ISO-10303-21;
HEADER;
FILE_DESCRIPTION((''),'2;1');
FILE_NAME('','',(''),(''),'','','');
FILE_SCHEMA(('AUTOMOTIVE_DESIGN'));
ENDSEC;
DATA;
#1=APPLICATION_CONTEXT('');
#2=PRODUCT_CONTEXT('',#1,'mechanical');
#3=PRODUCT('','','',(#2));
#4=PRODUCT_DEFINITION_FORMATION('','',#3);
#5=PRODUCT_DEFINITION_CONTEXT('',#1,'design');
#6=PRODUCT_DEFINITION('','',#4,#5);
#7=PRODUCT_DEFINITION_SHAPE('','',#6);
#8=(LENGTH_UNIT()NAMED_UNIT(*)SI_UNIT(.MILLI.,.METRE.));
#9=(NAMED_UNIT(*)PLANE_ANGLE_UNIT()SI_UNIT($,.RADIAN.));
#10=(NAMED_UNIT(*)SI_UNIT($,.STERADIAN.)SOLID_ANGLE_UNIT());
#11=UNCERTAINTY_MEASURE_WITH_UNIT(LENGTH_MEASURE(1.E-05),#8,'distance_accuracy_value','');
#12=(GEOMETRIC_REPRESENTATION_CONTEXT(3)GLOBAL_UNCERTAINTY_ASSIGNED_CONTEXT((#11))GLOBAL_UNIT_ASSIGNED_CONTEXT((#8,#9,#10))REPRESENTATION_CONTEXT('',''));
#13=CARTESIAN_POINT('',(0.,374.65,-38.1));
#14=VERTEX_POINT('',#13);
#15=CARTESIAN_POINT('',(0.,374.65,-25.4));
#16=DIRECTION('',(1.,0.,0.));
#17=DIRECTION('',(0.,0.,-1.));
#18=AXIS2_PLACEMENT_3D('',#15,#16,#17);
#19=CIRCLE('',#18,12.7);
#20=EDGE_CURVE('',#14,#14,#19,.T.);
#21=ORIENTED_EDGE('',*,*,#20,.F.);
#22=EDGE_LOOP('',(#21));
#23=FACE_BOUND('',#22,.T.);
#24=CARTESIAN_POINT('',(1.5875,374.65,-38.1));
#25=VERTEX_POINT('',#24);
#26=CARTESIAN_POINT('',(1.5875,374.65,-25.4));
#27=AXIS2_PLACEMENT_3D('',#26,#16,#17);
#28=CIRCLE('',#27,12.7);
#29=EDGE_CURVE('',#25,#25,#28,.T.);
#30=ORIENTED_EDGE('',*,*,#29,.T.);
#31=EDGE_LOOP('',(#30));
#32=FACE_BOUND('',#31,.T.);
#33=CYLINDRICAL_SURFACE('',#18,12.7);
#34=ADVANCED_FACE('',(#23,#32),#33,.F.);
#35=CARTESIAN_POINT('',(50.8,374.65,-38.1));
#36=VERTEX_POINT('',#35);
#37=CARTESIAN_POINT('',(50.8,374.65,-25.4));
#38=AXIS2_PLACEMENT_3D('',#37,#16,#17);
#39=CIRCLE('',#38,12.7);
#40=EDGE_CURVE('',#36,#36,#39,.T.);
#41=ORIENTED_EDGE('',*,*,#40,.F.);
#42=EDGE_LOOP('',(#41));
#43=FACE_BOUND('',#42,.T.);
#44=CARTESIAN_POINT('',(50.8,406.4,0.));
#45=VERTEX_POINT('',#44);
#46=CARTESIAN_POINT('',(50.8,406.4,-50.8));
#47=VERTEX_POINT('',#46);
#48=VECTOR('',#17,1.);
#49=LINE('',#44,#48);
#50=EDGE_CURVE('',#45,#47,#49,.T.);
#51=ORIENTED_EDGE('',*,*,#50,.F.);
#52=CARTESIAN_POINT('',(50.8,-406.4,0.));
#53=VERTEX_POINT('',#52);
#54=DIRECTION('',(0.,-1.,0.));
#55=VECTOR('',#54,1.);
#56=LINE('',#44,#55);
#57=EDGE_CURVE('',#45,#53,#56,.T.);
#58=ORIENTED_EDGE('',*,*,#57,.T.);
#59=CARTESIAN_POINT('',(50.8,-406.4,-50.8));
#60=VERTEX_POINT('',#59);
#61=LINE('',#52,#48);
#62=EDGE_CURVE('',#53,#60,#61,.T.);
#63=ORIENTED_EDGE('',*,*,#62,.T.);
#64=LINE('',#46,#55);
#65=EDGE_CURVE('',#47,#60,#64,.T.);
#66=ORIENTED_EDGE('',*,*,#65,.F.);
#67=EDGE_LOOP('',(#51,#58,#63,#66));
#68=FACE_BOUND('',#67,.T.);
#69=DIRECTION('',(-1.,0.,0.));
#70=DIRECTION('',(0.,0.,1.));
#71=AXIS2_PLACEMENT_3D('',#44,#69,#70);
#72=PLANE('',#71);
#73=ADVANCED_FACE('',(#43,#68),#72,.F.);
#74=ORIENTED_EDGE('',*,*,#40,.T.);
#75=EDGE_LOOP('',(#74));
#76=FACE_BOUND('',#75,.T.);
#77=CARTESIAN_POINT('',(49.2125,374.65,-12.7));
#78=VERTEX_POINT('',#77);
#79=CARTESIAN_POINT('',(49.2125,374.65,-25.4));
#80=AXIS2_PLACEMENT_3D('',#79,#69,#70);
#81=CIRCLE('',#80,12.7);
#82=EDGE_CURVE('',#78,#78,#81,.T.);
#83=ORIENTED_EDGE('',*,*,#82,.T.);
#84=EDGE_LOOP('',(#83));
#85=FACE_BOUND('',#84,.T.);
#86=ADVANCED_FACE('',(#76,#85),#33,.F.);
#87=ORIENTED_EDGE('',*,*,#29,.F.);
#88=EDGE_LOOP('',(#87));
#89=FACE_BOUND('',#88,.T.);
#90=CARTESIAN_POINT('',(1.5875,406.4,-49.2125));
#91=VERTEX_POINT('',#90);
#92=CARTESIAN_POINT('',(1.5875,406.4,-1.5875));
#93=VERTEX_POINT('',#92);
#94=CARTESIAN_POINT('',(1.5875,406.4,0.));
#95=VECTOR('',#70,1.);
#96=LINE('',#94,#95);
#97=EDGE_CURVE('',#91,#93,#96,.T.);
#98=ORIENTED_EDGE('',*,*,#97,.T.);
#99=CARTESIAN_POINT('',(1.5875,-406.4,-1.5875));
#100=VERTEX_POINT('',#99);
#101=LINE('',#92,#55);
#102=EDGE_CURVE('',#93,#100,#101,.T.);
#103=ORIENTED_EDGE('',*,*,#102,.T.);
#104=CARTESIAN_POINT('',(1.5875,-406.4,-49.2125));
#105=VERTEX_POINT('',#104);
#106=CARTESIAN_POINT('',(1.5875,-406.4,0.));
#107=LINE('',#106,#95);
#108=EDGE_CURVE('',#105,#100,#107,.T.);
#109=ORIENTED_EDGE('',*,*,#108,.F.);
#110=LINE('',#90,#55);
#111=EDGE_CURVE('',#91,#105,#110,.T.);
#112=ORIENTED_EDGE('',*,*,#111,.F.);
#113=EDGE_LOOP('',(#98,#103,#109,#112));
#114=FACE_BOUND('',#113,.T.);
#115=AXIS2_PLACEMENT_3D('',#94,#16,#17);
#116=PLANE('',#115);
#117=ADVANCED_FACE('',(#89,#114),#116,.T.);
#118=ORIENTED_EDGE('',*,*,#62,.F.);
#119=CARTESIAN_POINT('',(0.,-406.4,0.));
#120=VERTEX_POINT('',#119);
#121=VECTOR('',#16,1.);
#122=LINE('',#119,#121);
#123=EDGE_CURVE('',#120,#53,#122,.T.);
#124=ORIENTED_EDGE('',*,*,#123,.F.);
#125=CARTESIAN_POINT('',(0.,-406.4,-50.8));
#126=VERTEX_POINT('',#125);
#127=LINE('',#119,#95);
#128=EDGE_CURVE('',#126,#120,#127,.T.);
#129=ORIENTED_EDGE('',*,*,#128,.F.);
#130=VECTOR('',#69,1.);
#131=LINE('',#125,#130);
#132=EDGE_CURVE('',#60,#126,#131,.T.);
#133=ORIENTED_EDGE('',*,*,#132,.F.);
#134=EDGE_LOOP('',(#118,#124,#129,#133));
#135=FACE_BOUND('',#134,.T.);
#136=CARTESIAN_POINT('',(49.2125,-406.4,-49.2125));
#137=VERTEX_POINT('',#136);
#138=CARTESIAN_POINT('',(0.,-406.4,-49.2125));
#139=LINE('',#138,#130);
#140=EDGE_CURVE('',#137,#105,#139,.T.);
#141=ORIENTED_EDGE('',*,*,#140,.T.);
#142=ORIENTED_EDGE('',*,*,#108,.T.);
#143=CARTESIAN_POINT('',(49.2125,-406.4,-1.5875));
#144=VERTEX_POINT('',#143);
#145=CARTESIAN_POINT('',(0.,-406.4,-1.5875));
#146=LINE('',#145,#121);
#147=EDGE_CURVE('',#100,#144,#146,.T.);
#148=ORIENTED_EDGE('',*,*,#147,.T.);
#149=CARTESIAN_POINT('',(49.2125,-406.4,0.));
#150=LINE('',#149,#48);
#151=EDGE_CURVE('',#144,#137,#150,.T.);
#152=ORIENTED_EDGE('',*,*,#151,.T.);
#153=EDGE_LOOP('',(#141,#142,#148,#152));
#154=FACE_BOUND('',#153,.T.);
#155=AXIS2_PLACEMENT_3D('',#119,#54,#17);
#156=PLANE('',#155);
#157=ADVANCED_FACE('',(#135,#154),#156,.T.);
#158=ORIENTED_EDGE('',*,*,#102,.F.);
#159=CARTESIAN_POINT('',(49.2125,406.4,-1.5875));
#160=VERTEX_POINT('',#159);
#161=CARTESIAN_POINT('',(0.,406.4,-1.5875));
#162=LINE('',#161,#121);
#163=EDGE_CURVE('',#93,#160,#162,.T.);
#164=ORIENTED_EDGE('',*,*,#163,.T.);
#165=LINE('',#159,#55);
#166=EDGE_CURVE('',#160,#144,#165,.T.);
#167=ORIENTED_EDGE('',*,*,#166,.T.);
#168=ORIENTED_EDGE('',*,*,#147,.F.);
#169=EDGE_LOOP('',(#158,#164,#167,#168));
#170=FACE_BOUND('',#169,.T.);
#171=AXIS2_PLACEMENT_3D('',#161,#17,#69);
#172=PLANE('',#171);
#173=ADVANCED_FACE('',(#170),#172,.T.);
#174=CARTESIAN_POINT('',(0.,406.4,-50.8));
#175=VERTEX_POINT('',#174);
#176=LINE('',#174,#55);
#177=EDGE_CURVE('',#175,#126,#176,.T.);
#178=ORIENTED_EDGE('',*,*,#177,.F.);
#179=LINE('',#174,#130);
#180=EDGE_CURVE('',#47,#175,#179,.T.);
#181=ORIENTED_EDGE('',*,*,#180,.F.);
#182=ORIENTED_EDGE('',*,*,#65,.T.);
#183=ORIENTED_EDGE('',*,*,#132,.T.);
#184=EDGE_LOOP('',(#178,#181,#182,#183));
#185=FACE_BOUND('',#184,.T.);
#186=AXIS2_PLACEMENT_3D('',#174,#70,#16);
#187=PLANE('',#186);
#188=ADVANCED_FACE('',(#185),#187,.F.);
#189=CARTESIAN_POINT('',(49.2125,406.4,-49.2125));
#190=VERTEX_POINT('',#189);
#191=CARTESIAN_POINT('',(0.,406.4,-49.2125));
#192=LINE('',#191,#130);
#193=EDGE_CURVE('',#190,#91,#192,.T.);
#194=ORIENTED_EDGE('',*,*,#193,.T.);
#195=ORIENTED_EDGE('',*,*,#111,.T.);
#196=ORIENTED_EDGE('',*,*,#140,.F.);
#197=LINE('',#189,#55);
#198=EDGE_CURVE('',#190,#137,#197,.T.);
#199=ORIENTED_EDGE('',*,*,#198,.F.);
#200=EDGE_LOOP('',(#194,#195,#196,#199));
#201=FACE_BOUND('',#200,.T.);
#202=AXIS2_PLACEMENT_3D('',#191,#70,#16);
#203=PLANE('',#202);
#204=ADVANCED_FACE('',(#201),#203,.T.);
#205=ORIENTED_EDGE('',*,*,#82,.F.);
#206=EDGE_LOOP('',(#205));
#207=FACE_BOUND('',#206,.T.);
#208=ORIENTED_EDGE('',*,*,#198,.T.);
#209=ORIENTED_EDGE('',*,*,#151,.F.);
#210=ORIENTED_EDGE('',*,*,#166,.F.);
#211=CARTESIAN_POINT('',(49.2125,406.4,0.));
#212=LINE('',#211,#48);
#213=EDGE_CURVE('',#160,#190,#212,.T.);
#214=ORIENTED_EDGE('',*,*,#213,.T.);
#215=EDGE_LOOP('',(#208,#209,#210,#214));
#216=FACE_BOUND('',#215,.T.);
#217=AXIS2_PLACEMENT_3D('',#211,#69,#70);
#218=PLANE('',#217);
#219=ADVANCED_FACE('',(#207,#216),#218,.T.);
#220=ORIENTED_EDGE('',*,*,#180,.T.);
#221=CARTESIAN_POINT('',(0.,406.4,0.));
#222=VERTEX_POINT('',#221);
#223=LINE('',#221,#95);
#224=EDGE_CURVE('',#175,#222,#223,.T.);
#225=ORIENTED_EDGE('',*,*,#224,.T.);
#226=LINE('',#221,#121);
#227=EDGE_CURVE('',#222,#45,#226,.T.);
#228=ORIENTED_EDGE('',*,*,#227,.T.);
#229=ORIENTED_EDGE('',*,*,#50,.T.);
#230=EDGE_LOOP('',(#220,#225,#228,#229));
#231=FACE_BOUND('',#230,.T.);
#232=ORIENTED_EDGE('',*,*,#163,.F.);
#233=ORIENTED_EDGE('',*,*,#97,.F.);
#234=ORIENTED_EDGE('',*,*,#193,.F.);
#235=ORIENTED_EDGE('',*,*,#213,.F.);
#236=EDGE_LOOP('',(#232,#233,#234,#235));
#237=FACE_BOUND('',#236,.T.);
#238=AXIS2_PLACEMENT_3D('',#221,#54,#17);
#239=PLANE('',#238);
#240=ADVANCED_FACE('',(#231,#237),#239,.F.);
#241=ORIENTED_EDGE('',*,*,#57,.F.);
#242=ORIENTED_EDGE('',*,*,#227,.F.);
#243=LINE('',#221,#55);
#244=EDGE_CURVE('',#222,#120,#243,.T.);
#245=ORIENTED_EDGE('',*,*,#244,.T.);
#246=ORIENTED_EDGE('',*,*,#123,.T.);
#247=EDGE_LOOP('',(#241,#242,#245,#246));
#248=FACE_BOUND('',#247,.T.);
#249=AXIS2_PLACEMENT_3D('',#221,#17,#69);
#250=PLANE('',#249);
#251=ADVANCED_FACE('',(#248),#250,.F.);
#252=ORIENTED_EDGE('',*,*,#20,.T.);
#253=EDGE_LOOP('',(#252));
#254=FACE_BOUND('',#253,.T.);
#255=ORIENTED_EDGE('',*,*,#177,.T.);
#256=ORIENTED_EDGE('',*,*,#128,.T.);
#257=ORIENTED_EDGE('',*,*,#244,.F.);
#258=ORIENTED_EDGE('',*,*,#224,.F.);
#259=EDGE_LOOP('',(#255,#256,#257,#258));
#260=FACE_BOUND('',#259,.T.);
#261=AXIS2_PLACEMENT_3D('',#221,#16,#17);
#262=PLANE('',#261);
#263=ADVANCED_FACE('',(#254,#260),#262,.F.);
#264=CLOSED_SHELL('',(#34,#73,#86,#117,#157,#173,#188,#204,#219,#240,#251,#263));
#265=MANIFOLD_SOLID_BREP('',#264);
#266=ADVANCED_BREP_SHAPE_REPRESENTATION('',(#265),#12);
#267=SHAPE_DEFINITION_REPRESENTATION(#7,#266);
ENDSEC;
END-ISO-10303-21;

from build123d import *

# Parameters (mm, degrees)
SKETCH1_W           = 50.8
SKETCH1_H           = 50.8
BOSS_EXTRUDE1_DEPTH = 406.4
SHELL1_T            = -1.5875
SKETCH2_R           = 12.7
CUT_EXTRUDE1_DEPTH  = 413.701150956


with BuildPart() as part:
    # Sketch1 → Boss-Extrude1 (new, symmetric)
    with BuildSketch(Plane(origin=(0, 0, 0), x_dir=(1, 0, 0), z_dir=(0, 1, 0))):
        with Locations((25.4, 25.4)):
            Rectangle(SKETCH1_W, SKETCH1_H)
    extrude(amount=BOSS_EXTRUDE1_DEPTH, both=True)

    # Shell1
    shell1_openings = [part.faces().sort_by_distance(p)[0] for p in [
        (25.4, 406.4, -25.4),
        (25.4, -406.4, -25.4),
    ]]
    offset(amount=SHELL1_T, openings=shell1_openings, kind=Kind.INTERSECTION)

    # Sketch2 → Cut-Extrude1 (cut, through all)
    with BuildSketch(Plane(origin=(50.8, 0, 0), x_dir=(0, 0, -1), z_dir=(1, 0, 0))):
        with Locations((25.4, 374.65)):
            Circle(SKETCH2_R)
    extrude(amount=-CUT_EXTRUDE1_DEPTH, mode=Mode.SUBTRACT)


solid = part.part
